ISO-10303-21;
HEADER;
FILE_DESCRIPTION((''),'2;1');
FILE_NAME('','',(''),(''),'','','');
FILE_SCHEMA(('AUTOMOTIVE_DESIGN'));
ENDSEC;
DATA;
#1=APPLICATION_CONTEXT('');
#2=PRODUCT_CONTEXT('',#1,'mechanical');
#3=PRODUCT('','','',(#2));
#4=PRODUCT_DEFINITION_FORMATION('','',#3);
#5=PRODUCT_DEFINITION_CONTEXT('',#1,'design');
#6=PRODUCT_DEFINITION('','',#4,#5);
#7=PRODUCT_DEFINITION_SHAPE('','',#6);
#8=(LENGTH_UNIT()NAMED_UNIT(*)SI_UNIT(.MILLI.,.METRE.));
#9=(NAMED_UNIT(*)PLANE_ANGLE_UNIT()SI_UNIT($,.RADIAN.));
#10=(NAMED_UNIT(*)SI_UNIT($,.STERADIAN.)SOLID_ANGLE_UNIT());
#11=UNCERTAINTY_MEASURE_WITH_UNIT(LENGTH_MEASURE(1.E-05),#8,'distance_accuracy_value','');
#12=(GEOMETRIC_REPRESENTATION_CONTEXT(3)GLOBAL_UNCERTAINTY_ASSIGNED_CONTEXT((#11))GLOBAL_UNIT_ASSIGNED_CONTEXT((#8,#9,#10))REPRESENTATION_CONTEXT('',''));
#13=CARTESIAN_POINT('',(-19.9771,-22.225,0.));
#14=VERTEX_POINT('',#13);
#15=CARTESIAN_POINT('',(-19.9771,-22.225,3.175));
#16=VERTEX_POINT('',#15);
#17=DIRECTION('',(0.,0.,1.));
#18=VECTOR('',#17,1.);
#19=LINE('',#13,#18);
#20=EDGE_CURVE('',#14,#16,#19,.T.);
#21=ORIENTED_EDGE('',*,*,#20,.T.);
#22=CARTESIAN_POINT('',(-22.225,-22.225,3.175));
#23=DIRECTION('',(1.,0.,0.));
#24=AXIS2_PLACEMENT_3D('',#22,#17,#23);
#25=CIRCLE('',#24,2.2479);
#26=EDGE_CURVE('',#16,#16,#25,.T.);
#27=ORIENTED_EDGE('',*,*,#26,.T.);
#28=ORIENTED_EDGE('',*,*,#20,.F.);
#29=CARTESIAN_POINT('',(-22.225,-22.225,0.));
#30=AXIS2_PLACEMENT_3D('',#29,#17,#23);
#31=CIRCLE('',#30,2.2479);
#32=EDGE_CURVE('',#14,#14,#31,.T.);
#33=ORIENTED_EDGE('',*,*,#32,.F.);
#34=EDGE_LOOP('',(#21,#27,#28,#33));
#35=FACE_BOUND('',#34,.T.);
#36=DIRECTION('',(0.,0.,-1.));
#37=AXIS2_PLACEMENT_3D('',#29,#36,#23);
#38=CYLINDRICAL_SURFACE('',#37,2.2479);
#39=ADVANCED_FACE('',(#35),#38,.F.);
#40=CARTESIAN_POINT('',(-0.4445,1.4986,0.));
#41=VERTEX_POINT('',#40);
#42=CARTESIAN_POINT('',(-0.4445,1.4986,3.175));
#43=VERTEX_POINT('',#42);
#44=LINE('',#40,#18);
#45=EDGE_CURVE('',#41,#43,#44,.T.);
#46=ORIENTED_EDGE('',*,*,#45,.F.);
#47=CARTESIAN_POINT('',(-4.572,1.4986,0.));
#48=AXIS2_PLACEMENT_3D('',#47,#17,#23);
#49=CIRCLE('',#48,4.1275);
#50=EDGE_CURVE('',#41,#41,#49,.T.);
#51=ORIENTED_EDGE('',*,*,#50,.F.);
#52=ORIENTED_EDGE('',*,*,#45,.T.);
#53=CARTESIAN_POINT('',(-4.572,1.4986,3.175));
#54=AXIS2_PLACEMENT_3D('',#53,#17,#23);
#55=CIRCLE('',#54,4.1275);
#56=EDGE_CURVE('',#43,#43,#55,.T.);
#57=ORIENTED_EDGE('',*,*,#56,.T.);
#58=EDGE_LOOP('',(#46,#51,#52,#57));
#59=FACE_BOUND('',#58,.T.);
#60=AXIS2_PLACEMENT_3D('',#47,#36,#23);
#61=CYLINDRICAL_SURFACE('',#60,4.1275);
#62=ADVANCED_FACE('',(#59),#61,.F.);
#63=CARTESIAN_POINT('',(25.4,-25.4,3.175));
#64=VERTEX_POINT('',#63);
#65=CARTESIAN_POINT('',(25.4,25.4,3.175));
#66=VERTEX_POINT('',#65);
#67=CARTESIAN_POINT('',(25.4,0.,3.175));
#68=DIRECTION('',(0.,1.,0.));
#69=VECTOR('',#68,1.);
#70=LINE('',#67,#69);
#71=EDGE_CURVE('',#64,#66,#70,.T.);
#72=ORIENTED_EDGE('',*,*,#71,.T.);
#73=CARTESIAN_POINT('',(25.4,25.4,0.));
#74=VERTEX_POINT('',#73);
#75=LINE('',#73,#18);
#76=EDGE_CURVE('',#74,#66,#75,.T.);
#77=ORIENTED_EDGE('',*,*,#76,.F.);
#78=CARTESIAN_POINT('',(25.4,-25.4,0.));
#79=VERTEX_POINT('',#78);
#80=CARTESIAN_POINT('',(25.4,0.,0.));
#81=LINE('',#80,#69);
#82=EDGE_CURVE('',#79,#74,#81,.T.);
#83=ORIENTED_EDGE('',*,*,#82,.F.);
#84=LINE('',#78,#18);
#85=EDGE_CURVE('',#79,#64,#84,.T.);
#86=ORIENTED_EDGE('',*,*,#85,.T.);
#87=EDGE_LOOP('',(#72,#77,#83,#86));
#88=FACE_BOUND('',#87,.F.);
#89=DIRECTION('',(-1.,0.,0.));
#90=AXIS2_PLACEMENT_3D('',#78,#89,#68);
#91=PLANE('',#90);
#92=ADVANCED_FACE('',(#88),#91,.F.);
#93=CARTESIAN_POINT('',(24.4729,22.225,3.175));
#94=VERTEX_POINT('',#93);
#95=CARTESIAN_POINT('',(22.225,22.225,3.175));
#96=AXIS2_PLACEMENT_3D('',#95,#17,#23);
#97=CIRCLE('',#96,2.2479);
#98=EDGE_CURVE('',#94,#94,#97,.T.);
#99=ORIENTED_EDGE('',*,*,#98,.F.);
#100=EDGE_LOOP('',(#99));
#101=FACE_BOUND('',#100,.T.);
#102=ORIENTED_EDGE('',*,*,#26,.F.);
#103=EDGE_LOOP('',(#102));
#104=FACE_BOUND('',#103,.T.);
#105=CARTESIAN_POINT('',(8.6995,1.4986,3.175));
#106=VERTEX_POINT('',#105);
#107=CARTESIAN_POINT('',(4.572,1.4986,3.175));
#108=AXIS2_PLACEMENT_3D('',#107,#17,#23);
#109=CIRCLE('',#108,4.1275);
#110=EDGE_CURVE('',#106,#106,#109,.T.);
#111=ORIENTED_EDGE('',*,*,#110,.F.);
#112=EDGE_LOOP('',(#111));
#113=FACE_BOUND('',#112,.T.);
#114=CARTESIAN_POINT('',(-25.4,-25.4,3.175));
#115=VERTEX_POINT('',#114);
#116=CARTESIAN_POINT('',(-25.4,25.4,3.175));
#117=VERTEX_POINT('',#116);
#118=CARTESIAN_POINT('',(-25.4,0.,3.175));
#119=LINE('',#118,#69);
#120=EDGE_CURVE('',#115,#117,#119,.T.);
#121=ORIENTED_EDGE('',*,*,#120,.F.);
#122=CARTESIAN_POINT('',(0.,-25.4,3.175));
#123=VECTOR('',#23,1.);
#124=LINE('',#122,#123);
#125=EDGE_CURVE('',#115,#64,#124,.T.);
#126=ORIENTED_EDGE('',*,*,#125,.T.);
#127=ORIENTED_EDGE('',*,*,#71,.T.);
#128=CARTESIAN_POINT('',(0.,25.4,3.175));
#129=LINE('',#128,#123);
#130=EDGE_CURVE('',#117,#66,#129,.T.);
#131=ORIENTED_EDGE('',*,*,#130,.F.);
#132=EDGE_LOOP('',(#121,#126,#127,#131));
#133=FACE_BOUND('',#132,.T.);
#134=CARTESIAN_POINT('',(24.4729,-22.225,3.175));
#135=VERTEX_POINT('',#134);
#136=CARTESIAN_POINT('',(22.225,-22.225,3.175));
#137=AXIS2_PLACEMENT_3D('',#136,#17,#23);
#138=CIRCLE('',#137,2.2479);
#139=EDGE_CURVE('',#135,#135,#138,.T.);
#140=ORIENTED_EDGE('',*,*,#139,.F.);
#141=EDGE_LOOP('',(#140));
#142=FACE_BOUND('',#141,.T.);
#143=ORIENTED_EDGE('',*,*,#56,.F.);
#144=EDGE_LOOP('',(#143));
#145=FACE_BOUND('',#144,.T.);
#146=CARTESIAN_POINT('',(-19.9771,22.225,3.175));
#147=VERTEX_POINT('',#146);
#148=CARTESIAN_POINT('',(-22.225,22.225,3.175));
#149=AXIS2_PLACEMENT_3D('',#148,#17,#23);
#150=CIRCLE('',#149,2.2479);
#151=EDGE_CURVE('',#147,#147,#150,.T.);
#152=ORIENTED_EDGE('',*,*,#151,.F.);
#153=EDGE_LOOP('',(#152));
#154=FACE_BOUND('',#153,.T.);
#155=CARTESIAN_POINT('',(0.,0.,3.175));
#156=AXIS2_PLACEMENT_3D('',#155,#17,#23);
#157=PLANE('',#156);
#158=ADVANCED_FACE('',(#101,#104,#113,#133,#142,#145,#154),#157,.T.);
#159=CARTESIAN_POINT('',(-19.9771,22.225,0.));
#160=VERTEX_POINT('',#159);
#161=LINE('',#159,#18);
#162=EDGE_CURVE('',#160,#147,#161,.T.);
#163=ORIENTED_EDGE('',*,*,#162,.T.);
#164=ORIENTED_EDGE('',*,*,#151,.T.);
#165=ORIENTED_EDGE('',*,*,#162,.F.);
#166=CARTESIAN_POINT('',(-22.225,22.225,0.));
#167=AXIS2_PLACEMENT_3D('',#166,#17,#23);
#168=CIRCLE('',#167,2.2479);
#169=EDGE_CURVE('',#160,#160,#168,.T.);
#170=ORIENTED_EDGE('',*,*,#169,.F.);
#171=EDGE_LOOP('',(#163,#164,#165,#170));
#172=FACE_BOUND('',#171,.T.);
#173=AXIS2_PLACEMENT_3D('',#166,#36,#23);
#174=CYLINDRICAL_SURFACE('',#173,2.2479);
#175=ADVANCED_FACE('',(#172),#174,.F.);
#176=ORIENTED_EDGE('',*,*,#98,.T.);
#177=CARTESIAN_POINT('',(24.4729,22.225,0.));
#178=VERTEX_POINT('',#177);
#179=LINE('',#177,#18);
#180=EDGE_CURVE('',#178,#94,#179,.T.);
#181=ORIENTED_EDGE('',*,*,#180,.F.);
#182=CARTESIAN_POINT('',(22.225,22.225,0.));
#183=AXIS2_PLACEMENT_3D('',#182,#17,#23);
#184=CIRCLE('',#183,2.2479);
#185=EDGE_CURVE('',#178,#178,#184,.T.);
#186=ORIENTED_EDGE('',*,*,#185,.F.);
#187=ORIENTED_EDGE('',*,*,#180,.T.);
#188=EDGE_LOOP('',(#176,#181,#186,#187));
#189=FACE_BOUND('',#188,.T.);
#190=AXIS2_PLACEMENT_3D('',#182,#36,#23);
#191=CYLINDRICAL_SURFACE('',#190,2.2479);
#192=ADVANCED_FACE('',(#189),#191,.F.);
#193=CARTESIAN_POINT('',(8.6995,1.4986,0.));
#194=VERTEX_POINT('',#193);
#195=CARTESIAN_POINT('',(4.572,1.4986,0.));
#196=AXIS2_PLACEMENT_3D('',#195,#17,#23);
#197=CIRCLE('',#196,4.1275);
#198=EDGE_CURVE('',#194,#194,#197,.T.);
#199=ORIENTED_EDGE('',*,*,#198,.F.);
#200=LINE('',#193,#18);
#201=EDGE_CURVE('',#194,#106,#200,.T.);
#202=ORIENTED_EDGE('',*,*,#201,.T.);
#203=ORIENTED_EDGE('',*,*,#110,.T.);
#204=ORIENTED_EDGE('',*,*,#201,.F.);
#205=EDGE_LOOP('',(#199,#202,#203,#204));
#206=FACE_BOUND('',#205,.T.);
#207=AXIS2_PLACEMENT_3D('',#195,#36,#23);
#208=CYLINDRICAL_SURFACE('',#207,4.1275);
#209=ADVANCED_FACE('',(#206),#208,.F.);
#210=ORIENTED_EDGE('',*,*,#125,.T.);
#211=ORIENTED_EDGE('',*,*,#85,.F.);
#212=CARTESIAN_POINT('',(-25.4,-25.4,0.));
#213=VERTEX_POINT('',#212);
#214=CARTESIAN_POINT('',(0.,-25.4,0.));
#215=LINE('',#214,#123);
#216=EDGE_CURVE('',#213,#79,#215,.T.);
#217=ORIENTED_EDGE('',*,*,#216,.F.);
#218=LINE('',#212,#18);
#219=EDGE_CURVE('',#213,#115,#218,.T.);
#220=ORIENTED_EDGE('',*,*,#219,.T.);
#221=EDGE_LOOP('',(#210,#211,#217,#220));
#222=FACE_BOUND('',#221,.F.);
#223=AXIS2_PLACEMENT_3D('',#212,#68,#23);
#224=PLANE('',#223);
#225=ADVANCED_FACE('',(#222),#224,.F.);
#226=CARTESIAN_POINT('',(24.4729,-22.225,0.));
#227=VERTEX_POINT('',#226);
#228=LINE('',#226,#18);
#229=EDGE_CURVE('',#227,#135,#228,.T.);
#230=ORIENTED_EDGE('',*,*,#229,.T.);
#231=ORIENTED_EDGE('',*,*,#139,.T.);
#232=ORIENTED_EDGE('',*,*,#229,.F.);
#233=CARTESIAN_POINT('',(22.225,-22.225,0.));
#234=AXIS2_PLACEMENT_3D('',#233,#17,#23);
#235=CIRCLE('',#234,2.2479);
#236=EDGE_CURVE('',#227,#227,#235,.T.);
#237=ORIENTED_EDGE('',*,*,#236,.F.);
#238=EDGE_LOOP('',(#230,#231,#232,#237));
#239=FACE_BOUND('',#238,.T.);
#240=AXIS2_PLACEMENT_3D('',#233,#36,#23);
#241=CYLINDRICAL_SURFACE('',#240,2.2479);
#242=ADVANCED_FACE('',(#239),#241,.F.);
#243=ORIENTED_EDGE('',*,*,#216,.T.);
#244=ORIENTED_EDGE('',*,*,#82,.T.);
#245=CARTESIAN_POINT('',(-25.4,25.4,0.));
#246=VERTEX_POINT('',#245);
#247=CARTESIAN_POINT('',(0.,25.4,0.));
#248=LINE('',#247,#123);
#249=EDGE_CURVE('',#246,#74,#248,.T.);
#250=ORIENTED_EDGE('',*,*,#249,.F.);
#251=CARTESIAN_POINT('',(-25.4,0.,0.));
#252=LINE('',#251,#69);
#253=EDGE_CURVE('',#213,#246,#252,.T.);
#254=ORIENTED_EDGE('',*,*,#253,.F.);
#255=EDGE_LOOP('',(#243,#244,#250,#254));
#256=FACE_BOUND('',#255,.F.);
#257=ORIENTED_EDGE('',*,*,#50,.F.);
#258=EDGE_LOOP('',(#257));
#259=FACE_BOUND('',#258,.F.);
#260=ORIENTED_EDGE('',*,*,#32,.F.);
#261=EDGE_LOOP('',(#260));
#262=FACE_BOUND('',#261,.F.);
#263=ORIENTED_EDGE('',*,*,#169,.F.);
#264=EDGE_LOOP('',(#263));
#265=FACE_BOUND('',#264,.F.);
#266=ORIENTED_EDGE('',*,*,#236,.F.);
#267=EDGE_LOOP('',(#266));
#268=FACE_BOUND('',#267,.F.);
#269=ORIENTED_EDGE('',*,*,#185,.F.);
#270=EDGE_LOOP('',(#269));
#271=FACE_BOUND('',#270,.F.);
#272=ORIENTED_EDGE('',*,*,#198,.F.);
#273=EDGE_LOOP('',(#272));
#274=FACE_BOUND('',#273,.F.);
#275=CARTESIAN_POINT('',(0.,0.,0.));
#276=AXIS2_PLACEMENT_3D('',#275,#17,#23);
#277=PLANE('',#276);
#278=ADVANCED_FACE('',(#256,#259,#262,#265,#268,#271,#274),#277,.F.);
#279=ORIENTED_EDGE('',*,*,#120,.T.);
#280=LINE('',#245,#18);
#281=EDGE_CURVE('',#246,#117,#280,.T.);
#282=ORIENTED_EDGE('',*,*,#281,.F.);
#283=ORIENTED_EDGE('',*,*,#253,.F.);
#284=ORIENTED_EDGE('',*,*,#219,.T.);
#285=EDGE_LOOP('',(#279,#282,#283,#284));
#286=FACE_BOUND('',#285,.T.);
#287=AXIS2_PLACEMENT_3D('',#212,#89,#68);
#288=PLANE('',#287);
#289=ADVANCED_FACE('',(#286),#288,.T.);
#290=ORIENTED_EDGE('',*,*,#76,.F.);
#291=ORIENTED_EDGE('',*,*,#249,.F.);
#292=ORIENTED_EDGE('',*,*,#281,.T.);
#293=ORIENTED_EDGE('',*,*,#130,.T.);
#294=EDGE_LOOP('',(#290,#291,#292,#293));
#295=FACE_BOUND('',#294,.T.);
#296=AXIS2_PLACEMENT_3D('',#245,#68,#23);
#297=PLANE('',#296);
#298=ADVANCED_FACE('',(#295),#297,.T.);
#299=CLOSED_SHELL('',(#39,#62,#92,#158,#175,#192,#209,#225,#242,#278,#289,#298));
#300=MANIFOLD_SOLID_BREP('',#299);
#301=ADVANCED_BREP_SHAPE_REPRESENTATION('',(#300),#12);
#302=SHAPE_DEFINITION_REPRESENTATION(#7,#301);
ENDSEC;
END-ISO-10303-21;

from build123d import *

# Parameters (mm, degrees)
F0_W     = 50.8
F0_H     = 50.8
F0_R     = 2.2479
F0_R_2   = 4.1275
F1_DEPTH = 3.175


with BuildPart() as f1:
    # F0 (on Top) → F1 (new body)
    with BuildSketch(Plane.XY):
        Rectangle(F0_W, F0_H)
        with Locations((-22.225, -22.225)):
            Circle(F0_R, mode=Mode.SUBTRACT)
        with Locations((22.225, -22.225)):
            Circle(F0_R, mode=Mode.SUBTRACT)
        with Locations((-4.572, 1.4986)):
            Circle(F0_R_2, mode=Mode.SUBTRACT)
        with Locations((-22.225, 22.225)):
            Circle(F0_R, mode=Mode.SUBTRACT)
        with Locations((4.572, 1.4986)):
            Circle(F0_R_2, mode=Mode.SUBTRACT)
        with Locations((22.225, 22.225)):
            Circle(F0_R, mode=Mode.SUBTRACT)
    extrude(amount=F1_DEPTH)


solid = f1.part
